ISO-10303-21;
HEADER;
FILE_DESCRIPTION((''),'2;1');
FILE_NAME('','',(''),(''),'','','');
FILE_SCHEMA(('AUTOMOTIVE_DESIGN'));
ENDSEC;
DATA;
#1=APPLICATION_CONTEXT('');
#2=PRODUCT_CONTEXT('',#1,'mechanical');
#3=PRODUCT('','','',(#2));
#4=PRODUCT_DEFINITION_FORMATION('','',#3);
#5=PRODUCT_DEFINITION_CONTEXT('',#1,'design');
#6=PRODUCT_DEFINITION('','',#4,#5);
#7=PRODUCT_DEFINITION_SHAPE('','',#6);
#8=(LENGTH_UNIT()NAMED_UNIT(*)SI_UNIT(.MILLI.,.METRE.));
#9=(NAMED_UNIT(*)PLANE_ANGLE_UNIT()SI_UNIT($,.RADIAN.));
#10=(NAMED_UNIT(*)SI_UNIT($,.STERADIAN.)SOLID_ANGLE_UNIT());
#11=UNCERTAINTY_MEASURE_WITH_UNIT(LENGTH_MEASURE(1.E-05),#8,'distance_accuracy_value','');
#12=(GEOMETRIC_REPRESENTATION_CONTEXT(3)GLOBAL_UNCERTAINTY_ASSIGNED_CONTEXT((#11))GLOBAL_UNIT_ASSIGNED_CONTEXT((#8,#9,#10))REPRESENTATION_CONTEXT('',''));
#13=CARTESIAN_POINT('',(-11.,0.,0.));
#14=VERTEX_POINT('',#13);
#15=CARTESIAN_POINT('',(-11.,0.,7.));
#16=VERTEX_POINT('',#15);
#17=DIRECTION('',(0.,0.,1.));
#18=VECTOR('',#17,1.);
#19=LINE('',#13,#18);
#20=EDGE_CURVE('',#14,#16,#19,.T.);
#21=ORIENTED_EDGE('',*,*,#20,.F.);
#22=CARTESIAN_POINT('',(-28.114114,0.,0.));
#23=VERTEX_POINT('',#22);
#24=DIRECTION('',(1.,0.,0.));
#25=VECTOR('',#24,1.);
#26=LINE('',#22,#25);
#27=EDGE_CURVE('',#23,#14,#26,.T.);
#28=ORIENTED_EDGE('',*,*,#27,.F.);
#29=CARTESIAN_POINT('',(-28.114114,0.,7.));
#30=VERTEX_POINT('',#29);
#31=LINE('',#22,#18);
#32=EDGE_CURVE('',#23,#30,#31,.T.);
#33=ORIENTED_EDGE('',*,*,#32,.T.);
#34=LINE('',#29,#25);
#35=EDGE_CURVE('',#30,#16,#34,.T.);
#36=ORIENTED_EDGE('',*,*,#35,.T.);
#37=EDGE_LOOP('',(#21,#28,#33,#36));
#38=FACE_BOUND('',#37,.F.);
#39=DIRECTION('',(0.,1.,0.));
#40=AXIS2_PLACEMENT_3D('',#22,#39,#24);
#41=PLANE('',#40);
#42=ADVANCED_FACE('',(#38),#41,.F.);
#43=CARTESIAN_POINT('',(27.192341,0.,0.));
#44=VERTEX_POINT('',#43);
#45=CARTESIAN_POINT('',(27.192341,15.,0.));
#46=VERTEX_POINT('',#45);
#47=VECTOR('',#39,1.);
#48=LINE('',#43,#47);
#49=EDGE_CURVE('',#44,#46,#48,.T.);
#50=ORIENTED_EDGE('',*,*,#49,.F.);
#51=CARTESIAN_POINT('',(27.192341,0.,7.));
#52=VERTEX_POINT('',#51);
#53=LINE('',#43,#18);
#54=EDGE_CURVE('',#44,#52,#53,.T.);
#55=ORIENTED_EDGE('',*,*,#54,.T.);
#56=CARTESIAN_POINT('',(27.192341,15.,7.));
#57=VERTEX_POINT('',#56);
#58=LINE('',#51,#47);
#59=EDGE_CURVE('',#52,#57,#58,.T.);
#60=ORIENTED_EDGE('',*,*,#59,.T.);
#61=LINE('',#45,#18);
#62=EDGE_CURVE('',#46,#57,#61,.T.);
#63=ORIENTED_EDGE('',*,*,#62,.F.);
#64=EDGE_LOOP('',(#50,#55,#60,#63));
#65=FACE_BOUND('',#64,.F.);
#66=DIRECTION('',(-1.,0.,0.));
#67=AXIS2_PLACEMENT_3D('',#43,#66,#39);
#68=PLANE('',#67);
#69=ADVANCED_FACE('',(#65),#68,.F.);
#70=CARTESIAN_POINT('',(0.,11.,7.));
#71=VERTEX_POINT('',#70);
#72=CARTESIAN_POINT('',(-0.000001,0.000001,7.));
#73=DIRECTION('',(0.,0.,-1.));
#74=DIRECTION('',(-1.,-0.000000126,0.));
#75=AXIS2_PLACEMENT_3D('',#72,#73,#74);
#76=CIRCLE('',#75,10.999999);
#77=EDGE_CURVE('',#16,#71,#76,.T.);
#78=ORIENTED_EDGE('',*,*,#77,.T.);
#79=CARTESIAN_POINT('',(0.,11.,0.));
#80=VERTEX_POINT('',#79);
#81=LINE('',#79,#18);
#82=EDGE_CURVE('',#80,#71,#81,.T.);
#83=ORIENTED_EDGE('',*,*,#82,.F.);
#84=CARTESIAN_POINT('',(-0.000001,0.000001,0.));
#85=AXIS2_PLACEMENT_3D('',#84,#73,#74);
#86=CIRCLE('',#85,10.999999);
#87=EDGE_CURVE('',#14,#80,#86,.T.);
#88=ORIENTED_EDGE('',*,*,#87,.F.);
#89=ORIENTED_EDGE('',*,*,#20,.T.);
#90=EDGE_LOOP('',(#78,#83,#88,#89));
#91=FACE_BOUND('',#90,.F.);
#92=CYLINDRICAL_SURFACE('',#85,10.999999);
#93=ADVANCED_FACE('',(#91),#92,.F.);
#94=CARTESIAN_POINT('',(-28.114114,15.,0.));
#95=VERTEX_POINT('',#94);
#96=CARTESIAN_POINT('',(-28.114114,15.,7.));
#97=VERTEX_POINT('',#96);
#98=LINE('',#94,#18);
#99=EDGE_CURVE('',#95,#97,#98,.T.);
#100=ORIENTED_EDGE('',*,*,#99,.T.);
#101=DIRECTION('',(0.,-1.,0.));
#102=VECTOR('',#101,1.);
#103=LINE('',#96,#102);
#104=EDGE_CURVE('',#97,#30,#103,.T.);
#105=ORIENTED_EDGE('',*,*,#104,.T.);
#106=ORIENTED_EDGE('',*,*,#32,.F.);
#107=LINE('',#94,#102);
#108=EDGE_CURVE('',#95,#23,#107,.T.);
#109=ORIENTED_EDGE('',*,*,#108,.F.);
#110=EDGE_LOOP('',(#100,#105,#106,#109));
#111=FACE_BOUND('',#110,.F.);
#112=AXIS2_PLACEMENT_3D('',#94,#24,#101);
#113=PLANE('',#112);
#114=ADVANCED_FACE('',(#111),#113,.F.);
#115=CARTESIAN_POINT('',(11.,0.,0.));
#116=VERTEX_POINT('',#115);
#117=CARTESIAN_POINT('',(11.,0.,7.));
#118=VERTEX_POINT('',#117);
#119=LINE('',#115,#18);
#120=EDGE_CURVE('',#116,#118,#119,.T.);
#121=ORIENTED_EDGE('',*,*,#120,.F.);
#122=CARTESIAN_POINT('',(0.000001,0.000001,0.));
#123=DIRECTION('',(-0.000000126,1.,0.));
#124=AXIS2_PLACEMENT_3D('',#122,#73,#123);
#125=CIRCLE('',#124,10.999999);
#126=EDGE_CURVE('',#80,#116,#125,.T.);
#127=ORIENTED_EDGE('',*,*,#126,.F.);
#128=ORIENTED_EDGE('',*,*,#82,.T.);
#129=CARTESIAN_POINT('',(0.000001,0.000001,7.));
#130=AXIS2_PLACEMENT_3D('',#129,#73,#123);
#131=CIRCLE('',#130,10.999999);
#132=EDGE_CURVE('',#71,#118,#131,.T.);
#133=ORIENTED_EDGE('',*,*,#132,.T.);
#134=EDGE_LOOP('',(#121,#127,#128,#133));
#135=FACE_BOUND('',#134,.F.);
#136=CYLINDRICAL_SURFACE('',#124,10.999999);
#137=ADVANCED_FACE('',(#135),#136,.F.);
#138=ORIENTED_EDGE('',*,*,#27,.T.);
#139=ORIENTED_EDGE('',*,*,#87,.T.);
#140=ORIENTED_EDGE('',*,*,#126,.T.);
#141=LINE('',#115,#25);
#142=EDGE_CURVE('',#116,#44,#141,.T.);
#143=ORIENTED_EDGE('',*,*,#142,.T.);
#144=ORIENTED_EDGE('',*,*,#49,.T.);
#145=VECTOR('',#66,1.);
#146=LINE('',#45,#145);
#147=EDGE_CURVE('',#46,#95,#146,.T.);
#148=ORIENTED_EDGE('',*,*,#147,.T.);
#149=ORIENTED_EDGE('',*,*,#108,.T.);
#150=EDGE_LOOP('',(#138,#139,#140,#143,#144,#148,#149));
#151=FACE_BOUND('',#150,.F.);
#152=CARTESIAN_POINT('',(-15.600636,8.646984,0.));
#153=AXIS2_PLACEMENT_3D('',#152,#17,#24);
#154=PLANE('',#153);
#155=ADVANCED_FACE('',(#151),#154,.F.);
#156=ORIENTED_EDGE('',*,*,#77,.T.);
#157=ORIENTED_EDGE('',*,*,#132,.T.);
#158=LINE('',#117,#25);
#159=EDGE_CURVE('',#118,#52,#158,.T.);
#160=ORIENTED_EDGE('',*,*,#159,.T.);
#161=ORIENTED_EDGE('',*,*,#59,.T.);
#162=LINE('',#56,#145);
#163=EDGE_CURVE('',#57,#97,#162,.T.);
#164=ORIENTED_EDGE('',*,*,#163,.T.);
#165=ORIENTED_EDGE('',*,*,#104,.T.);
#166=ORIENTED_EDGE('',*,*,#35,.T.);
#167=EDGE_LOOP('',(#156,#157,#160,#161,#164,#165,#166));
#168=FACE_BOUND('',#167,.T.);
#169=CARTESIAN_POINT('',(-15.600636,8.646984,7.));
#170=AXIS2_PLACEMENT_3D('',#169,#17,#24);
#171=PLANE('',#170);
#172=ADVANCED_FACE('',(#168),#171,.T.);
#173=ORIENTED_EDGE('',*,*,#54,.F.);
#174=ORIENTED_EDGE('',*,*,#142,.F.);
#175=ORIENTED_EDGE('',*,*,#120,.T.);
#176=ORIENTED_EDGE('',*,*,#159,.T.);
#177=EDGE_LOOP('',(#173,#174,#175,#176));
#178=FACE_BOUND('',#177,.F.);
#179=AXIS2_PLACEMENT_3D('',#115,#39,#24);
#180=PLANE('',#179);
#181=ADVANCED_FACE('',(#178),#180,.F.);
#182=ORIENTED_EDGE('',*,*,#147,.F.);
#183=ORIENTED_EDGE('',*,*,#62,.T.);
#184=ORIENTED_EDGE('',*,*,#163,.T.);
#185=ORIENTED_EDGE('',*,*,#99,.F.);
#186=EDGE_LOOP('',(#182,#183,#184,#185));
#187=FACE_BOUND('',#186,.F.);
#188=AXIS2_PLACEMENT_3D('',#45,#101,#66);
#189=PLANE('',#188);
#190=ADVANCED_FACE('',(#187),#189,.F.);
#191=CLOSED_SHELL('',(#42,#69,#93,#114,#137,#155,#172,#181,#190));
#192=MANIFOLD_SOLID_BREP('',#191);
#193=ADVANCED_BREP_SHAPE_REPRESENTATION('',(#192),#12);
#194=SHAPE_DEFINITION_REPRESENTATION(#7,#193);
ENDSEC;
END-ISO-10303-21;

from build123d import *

# Parameters (mm, degrees)
F1_DEPTH = 7


with BuildPart() as f1:
    # F0 (on Top) → F1 (new body)
    with BuildSketch(Plane.XY):
        with BuildLine():
            ThreePointArc((-11, 0), (-7.778175, 7.778175), (0, 11))
            Line((0, 11), (0, 15))
            Line((0, 15), (-28.114114, 15))
            Line((-28.114114, 15), (-28.114114, 0))
            Line((-28.114114, 0), (-11, 0))
        make_face()
        with BuildLine():
            ThreePointArc((0, 11), (7.778175, 7.778175), (11, 0))
            Line((11, 0), (27.192341, 0))
            Line((27.192341, 0), (27.192341, 15))
            Line((27.192341, 15), (0, 15))
            Line((0, 15), (0, 11))
        make_face()
    extrude(amount=F1_DEPTH)


solid = f1.part
